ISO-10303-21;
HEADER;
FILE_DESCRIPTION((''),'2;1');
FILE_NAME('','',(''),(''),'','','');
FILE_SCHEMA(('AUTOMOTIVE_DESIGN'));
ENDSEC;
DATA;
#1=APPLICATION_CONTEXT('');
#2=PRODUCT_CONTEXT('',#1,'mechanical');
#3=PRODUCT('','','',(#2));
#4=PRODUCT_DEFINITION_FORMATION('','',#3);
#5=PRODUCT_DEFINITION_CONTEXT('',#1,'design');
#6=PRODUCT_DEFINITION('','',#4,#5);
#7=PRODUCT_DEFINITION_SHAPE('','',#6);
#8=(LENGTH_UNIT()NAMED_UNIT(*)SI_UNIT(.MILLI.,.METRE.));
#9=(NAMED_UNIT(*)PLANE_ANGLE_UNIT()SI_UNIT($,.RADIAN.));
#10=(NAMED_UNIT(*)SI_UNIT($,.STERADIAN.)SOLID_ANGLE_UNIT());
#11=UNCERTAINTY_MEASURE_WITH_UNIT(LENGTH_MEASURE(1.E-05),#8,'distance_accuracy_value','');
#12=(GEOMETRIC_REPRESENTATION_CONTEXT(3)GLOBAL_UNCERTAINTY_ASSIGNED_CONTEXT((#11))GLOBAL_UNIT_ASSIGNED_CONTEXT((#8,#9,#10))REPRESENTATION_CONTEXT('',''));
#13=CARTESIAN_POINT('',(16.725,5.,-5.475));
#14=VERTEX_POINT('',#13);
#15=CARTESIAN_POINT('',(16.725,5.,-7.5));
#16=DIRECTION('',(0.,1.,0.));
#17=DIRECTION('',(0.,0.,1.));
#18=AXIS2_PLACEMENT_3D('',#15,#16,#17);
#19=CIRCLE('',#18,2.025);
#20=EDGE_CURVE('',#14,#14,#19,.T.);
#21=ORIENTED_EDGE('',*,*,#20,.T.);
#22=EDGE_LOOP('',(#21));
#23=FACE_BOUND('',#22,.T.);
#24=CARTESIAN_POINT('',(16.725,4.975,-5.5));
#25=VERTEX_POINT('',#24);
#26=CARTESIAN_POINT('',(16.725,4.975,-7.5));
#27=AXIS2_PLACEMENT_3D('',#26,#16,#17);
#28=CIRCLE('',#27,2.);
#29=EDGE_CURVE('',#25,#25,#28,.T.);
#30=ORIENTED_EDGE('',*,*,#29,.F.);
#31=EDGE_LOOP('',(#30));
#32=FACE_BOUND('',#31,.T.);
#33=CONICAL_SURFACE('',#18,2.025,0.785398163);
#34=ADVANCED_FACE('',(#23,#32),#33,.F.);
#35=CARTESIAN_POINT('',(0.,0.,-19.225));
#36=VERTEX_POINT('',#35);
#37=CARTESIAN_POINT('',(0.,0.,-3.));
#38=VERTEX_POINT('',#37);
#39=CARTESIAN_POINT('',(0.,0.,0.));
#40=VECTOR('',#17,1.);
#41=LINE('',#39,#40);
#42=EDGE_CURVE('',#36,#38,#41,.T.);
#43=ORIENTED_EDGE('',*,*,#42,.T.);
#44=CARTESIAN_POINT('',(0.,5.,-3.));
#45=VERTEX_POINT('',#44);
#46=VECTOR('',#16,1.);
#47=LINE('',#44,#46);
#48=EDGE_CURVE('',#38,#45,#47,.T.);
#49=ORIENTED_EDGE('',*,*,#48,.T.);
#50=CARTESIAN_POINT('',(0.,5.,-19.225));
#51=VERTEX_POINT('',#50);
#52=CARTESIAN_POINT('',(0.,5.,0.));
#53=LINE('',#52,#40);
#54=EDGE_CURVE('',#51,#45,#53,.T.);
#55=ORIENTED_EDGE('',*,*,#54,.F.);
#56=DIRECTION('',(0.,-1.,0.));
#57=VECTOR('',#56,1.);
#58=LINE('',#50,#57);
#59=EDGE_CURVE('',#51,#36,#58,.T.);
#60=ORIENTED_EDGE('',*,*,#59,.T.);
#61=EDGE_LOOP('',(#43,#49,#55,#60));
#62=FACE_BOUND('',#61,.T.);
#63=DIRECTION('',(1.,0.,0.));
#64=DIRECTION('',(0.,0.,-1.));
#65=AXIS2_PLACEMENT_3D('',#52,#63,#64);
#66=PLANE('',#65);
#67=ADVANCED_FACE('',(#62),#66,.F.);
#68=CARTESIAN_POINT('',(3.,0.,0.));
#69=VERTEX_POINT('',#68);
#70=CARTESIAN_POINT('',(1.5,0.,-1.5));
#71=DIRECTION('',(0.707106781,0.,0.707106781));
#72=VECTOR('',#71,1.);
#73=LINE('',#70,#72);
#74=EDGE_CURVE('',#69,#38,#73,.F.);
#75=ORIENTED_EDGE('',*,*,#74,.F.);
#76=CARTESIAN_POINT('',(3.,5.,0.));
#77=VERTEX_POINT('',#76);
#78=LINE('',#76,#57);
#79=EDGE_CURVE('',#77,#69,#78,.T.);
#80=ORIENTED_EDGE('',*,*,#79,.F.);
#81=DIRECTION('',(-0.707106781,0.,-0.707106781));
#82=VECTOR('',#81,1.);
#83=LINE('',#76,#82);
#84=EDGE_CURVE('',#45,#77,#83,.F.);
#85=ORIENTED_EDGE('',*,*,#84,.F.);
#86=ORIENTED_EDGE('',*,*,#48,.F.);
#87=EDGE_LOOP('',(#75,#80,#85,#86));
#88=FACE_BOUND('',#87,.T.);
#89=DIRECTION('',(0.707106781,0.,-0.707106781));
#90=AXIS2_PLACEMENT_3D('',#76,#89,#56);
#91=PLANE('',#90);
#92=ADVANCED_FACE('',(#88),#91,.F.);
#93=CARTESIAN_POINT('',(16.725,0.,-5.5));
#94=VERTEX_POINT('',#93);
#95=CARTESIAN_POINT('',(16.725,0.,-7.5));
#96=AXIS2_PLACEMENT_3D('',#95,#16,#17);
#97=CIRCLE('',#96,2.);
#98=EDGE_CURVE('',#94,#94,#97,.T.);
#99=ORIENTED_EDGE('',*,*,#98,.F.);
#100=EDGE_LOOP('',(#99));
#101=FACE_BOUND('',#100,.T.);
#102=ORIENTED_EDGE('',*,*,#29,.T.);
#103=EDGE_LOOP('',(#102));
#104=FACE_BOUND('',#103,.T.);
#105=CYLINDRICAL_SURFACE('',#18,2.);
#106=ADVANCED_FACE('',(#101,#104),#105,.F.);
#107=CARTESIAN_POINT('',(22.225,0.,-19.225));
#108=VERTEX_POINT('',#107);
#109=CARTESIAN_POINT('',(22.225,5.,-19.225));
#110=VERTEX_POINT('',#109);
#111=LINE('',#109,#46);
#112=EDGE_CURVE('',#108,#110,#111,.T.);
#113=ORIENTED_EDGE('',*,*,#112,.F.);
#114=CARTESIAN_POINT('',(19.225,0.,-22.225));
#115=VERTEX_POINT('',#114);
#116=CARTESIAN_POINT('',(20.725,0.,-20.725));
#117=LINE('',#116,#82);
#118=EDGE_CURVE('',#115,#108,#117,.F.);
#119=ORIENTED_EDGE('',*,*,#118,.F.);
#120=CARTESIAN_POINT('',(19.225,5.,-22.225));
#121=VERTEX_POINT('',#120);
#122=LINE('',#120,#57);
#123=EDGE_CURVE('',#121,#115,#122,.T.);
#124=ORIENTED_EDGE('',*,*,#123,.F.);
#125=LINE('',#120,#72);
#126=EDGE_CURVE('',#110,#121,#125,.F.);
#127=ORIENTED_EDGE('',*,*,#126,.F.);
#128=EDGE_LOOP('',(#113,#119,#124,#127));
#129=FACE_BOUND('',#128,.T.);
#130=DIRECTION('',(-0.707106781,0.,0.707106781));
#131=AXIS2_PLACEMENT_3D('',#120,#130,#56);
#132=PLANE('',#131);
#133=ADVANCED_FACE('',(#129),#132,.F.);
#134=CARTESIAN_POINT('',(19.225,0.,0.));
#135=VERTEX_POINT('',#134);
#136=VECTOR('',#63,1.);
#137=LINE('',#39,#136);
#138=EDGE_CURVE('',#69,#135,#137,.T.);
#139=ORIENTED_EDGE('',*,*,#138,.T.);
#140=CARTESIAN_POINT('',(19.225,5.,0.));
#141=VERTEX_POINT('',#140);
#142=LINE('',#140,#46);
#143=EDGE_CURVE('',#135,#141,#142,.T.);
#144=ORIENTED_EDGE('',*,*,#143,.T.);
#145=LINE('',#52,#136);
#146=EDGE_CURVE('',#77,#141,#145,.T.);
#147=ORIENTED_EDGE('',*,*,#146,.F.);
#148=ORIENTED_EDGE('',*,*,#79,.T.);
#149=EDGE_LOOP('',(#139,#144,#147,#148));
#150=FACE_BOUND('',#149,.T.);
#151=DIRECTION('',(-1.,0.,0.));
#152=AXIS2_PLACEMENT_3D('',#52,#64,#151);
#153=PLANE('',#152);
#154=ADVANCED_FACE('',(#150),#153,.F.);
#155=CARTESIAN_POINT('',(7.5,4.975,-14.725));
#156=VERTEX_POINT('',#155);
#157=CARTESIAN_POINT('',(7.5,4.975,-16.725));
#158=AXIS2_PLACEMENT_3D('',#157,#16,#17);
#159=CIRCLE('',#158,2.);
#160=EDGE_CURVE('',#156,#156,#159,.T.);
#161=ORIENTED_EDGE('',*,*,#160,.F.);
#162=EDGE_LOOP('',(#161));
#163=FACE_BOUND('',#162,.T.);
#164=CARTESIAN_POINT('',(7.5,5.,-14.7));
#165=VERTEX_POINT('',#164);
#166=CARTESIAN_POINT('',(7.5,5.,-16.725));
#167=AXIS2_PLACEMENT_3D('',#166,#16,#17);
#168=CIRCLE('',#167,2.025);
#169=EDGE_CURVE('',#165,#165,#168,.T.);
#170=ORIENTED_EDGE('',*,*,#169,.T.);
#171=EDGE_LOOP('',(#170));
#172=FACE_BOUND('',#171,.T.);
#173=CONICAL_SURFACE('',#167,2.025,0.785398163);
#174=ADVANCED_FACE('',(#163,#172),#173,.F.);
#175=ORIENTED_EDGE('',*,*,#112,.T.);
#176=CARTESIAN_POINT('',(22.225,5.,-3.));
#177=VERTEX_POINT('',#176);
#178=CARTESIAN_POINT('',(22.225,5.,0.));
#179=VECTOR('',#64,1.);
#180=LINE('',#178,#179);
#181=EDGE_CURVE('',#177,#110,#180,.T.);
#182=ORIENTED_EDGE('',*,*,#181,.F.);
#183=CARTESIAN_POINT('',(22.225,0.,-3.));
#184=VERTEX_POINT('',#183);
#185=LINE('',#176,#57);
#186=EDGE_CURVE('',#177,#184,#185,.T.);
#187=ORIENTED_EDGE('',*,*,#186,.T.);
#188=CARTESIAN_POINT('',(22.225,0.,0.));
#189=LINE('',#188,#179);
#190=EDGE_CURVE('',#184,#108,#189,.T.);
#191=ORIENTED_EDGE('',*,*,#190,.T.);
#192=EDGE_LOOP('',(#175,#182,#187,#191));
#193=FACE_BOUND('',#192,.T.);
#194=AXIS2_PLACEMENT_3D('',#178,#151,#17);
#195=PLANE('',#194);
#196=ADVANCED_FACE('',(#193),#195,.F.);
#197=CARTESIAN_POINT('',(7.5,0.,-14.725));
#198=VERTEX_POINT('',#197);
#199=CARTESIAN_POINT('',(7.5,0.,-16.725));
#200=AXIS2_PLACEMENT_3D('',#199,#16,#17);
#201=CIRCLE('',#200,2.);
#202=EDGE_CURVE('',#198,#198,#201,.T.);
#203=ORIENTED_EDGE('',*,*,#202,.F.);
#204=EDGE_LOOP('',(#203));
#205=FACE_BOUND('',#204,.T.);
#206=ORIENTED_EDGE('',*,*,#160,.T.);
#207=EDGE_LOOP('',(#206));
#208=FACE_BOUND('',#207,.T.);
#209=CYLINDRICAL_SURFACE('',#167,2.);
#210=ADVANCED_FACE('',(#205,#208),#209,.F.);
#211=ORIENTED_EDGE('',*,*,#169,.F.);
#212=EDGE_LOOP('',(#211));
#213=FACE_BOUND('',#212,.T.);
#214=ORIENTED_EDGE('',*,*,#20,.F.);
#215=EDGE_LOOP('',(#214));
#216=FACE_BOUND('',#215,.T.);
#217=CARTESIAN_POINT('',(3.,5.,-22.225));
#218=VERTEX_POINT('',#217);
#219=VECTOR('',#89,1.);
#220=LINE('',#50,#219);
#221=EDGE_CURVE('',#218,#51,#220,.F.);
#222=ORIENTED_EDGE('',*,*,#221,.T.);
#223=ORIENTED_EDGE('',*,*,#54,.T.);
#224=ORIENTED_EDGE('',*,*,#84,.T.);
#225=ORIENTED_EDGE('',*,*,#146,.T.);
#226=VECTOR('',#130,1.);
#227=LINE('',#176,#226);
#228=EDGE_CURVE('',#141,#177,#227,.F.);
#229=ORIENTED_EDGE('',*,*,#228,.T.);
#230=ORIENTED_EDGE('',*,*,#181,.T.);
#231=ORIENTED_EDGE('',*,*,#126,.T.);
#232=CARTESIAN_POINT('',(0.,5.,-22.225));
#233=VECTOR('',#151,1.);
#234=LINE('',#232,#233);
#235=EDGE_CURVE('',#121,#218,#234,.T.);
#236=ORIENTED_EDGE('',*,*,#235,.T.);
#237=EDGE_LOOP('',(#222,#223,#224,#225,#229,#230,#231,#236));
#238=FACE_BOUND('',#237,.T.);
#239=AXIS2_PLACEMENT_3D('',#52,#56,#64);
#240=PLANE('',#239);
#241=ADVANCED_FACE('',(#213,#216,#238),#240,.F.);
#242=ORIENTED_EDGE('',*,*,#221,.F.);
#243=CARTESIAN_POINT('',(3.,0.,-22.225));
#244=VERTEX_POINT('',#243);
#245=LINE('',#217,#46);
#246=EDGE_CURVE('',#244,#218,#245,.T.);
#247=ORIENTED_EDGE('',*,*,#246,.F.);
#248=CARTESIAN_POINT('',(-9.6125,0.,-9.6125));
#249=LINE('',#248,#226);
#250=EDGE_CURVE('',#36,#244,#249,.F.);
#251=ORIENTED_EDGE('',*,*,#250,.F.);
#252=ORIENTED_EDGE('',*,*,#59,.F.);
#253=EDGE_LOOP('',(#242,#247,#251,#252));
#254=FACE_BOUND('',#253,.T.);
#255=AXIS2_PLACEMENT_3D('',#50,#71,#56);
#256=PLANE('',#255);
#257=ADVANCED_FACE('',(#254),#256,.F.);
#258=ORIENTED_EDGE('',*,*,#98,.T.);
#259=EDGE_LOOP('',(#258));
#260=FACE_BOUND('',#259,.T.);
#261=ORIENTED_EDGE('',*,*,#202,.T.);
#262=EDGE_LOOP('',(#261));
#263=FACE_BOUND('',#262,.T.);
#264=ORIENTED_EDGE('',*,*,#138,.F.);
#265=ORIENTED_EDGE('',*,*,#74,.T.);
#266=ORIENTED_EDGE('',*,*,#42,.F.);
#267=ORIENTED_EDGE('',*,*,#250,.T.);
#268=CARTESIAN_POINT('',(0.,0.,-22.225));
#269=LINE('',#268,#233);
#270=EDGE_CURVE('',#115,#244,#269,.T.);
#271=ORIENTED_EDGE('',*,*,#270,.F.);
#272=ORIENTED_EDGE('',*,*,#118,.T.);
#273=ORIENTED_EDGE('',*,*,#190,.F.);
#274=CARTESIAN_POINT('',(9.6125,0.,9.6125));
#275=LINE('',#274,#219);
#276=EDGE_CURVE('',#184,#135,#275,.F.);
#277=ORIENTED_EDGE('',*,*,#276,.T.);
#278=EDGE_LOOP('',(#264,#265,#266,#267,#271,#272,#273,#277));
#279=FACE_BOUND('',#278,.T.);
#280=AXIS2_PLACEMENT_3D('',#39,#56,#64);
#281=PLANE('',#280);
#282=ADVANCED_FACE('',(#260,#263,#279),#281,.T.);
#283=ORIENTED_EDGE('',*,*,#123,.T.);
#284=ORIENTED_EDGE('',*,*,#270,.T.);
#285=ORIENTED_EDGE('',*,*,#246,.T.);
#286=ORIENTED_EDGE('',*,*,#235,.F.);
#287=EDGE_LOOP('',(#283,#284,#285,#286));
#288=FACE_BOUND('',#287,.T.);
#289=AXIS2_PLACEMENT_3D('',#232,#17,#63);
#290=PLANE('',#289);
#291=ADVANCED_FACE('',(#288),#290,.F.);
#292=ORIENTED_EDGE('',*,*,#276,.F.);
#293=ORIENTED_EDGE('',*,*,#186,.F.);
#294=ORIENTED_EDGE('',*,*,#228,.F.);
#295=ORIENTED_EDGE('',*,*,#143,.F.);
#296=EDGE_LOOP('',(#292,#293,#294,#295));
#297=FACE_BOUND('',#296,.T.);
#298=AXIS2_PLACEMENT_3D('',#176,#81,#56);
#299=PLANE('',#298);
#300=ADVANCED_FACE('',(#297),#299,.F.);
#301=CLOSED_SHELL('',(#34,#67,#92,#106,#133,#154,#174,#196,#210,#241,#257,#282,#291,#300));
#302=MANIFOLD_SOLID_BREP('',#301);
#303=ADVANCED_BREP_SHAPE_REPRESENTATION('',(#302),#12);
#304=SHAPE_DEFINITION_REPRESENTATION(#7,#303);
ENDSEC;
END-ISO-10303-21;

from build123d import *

# Parameters (mm, degrees)
SKETCH1_W                       = 22.225
SKETCH1_H                       = 22.225
BOSS_EXTRUDE1_DEPTH             = 5
F_4_0MM_DOWEL_HOLE3_D           = 4
F_4_0MM_DOWEL_HOLE3_CSINK_D     = 4.05
F_4_0MM_DOWEL_HOLE3_CSINK_ANGLE = 90
CHAMFER1_SIZE                   = 3


with BuildPart() as part:
    # Sketch1 → Boss-Extrude1 (new body)
    with BuildSketch(Plane(origin=(0, 0, 0), x_dir=(1, 0, 0), z_dir=(0, 1, 0))):
        with Locations((11.1125, 11.1125)):
            Rectangle(SKETCH1_W, SKETCH1_H)
    extrude(amount=BOSS_EXTRUDE1_DEPTH)

    # Ø4.0mm Dowel Hole3 (through all)
    with Locations(Plane(origin=(0, 5, 0), x_dir=(1, 0, 0), z_dir=(0, 1, 0))):
        with Locations((7.5, 16.725), (16.725, 7.5)):
            CounterSinkHole(F_4_0MM_DOWEL_HOLE3_D / 2, F_4_0MM_DOWEL_HOLE3_CSINK_D / 2, counter_sink_angle=F_4_0MM_DOWEL_HOLE3_CSINK_ANGLE)

    # Chamfer1
    chamfer1_edges = [part.edges().sort_by_distance(p)[0] for p in [
        (0, 2.5, -22.225),
        (22.225, 2.5, -22.225),
        (22.225, 2.5, 0),
        (0, 2.5, 0),
    ]]
    chamfer(chamfer1_edges, length=CHAMFER1_SIZE)


solid = part.part
